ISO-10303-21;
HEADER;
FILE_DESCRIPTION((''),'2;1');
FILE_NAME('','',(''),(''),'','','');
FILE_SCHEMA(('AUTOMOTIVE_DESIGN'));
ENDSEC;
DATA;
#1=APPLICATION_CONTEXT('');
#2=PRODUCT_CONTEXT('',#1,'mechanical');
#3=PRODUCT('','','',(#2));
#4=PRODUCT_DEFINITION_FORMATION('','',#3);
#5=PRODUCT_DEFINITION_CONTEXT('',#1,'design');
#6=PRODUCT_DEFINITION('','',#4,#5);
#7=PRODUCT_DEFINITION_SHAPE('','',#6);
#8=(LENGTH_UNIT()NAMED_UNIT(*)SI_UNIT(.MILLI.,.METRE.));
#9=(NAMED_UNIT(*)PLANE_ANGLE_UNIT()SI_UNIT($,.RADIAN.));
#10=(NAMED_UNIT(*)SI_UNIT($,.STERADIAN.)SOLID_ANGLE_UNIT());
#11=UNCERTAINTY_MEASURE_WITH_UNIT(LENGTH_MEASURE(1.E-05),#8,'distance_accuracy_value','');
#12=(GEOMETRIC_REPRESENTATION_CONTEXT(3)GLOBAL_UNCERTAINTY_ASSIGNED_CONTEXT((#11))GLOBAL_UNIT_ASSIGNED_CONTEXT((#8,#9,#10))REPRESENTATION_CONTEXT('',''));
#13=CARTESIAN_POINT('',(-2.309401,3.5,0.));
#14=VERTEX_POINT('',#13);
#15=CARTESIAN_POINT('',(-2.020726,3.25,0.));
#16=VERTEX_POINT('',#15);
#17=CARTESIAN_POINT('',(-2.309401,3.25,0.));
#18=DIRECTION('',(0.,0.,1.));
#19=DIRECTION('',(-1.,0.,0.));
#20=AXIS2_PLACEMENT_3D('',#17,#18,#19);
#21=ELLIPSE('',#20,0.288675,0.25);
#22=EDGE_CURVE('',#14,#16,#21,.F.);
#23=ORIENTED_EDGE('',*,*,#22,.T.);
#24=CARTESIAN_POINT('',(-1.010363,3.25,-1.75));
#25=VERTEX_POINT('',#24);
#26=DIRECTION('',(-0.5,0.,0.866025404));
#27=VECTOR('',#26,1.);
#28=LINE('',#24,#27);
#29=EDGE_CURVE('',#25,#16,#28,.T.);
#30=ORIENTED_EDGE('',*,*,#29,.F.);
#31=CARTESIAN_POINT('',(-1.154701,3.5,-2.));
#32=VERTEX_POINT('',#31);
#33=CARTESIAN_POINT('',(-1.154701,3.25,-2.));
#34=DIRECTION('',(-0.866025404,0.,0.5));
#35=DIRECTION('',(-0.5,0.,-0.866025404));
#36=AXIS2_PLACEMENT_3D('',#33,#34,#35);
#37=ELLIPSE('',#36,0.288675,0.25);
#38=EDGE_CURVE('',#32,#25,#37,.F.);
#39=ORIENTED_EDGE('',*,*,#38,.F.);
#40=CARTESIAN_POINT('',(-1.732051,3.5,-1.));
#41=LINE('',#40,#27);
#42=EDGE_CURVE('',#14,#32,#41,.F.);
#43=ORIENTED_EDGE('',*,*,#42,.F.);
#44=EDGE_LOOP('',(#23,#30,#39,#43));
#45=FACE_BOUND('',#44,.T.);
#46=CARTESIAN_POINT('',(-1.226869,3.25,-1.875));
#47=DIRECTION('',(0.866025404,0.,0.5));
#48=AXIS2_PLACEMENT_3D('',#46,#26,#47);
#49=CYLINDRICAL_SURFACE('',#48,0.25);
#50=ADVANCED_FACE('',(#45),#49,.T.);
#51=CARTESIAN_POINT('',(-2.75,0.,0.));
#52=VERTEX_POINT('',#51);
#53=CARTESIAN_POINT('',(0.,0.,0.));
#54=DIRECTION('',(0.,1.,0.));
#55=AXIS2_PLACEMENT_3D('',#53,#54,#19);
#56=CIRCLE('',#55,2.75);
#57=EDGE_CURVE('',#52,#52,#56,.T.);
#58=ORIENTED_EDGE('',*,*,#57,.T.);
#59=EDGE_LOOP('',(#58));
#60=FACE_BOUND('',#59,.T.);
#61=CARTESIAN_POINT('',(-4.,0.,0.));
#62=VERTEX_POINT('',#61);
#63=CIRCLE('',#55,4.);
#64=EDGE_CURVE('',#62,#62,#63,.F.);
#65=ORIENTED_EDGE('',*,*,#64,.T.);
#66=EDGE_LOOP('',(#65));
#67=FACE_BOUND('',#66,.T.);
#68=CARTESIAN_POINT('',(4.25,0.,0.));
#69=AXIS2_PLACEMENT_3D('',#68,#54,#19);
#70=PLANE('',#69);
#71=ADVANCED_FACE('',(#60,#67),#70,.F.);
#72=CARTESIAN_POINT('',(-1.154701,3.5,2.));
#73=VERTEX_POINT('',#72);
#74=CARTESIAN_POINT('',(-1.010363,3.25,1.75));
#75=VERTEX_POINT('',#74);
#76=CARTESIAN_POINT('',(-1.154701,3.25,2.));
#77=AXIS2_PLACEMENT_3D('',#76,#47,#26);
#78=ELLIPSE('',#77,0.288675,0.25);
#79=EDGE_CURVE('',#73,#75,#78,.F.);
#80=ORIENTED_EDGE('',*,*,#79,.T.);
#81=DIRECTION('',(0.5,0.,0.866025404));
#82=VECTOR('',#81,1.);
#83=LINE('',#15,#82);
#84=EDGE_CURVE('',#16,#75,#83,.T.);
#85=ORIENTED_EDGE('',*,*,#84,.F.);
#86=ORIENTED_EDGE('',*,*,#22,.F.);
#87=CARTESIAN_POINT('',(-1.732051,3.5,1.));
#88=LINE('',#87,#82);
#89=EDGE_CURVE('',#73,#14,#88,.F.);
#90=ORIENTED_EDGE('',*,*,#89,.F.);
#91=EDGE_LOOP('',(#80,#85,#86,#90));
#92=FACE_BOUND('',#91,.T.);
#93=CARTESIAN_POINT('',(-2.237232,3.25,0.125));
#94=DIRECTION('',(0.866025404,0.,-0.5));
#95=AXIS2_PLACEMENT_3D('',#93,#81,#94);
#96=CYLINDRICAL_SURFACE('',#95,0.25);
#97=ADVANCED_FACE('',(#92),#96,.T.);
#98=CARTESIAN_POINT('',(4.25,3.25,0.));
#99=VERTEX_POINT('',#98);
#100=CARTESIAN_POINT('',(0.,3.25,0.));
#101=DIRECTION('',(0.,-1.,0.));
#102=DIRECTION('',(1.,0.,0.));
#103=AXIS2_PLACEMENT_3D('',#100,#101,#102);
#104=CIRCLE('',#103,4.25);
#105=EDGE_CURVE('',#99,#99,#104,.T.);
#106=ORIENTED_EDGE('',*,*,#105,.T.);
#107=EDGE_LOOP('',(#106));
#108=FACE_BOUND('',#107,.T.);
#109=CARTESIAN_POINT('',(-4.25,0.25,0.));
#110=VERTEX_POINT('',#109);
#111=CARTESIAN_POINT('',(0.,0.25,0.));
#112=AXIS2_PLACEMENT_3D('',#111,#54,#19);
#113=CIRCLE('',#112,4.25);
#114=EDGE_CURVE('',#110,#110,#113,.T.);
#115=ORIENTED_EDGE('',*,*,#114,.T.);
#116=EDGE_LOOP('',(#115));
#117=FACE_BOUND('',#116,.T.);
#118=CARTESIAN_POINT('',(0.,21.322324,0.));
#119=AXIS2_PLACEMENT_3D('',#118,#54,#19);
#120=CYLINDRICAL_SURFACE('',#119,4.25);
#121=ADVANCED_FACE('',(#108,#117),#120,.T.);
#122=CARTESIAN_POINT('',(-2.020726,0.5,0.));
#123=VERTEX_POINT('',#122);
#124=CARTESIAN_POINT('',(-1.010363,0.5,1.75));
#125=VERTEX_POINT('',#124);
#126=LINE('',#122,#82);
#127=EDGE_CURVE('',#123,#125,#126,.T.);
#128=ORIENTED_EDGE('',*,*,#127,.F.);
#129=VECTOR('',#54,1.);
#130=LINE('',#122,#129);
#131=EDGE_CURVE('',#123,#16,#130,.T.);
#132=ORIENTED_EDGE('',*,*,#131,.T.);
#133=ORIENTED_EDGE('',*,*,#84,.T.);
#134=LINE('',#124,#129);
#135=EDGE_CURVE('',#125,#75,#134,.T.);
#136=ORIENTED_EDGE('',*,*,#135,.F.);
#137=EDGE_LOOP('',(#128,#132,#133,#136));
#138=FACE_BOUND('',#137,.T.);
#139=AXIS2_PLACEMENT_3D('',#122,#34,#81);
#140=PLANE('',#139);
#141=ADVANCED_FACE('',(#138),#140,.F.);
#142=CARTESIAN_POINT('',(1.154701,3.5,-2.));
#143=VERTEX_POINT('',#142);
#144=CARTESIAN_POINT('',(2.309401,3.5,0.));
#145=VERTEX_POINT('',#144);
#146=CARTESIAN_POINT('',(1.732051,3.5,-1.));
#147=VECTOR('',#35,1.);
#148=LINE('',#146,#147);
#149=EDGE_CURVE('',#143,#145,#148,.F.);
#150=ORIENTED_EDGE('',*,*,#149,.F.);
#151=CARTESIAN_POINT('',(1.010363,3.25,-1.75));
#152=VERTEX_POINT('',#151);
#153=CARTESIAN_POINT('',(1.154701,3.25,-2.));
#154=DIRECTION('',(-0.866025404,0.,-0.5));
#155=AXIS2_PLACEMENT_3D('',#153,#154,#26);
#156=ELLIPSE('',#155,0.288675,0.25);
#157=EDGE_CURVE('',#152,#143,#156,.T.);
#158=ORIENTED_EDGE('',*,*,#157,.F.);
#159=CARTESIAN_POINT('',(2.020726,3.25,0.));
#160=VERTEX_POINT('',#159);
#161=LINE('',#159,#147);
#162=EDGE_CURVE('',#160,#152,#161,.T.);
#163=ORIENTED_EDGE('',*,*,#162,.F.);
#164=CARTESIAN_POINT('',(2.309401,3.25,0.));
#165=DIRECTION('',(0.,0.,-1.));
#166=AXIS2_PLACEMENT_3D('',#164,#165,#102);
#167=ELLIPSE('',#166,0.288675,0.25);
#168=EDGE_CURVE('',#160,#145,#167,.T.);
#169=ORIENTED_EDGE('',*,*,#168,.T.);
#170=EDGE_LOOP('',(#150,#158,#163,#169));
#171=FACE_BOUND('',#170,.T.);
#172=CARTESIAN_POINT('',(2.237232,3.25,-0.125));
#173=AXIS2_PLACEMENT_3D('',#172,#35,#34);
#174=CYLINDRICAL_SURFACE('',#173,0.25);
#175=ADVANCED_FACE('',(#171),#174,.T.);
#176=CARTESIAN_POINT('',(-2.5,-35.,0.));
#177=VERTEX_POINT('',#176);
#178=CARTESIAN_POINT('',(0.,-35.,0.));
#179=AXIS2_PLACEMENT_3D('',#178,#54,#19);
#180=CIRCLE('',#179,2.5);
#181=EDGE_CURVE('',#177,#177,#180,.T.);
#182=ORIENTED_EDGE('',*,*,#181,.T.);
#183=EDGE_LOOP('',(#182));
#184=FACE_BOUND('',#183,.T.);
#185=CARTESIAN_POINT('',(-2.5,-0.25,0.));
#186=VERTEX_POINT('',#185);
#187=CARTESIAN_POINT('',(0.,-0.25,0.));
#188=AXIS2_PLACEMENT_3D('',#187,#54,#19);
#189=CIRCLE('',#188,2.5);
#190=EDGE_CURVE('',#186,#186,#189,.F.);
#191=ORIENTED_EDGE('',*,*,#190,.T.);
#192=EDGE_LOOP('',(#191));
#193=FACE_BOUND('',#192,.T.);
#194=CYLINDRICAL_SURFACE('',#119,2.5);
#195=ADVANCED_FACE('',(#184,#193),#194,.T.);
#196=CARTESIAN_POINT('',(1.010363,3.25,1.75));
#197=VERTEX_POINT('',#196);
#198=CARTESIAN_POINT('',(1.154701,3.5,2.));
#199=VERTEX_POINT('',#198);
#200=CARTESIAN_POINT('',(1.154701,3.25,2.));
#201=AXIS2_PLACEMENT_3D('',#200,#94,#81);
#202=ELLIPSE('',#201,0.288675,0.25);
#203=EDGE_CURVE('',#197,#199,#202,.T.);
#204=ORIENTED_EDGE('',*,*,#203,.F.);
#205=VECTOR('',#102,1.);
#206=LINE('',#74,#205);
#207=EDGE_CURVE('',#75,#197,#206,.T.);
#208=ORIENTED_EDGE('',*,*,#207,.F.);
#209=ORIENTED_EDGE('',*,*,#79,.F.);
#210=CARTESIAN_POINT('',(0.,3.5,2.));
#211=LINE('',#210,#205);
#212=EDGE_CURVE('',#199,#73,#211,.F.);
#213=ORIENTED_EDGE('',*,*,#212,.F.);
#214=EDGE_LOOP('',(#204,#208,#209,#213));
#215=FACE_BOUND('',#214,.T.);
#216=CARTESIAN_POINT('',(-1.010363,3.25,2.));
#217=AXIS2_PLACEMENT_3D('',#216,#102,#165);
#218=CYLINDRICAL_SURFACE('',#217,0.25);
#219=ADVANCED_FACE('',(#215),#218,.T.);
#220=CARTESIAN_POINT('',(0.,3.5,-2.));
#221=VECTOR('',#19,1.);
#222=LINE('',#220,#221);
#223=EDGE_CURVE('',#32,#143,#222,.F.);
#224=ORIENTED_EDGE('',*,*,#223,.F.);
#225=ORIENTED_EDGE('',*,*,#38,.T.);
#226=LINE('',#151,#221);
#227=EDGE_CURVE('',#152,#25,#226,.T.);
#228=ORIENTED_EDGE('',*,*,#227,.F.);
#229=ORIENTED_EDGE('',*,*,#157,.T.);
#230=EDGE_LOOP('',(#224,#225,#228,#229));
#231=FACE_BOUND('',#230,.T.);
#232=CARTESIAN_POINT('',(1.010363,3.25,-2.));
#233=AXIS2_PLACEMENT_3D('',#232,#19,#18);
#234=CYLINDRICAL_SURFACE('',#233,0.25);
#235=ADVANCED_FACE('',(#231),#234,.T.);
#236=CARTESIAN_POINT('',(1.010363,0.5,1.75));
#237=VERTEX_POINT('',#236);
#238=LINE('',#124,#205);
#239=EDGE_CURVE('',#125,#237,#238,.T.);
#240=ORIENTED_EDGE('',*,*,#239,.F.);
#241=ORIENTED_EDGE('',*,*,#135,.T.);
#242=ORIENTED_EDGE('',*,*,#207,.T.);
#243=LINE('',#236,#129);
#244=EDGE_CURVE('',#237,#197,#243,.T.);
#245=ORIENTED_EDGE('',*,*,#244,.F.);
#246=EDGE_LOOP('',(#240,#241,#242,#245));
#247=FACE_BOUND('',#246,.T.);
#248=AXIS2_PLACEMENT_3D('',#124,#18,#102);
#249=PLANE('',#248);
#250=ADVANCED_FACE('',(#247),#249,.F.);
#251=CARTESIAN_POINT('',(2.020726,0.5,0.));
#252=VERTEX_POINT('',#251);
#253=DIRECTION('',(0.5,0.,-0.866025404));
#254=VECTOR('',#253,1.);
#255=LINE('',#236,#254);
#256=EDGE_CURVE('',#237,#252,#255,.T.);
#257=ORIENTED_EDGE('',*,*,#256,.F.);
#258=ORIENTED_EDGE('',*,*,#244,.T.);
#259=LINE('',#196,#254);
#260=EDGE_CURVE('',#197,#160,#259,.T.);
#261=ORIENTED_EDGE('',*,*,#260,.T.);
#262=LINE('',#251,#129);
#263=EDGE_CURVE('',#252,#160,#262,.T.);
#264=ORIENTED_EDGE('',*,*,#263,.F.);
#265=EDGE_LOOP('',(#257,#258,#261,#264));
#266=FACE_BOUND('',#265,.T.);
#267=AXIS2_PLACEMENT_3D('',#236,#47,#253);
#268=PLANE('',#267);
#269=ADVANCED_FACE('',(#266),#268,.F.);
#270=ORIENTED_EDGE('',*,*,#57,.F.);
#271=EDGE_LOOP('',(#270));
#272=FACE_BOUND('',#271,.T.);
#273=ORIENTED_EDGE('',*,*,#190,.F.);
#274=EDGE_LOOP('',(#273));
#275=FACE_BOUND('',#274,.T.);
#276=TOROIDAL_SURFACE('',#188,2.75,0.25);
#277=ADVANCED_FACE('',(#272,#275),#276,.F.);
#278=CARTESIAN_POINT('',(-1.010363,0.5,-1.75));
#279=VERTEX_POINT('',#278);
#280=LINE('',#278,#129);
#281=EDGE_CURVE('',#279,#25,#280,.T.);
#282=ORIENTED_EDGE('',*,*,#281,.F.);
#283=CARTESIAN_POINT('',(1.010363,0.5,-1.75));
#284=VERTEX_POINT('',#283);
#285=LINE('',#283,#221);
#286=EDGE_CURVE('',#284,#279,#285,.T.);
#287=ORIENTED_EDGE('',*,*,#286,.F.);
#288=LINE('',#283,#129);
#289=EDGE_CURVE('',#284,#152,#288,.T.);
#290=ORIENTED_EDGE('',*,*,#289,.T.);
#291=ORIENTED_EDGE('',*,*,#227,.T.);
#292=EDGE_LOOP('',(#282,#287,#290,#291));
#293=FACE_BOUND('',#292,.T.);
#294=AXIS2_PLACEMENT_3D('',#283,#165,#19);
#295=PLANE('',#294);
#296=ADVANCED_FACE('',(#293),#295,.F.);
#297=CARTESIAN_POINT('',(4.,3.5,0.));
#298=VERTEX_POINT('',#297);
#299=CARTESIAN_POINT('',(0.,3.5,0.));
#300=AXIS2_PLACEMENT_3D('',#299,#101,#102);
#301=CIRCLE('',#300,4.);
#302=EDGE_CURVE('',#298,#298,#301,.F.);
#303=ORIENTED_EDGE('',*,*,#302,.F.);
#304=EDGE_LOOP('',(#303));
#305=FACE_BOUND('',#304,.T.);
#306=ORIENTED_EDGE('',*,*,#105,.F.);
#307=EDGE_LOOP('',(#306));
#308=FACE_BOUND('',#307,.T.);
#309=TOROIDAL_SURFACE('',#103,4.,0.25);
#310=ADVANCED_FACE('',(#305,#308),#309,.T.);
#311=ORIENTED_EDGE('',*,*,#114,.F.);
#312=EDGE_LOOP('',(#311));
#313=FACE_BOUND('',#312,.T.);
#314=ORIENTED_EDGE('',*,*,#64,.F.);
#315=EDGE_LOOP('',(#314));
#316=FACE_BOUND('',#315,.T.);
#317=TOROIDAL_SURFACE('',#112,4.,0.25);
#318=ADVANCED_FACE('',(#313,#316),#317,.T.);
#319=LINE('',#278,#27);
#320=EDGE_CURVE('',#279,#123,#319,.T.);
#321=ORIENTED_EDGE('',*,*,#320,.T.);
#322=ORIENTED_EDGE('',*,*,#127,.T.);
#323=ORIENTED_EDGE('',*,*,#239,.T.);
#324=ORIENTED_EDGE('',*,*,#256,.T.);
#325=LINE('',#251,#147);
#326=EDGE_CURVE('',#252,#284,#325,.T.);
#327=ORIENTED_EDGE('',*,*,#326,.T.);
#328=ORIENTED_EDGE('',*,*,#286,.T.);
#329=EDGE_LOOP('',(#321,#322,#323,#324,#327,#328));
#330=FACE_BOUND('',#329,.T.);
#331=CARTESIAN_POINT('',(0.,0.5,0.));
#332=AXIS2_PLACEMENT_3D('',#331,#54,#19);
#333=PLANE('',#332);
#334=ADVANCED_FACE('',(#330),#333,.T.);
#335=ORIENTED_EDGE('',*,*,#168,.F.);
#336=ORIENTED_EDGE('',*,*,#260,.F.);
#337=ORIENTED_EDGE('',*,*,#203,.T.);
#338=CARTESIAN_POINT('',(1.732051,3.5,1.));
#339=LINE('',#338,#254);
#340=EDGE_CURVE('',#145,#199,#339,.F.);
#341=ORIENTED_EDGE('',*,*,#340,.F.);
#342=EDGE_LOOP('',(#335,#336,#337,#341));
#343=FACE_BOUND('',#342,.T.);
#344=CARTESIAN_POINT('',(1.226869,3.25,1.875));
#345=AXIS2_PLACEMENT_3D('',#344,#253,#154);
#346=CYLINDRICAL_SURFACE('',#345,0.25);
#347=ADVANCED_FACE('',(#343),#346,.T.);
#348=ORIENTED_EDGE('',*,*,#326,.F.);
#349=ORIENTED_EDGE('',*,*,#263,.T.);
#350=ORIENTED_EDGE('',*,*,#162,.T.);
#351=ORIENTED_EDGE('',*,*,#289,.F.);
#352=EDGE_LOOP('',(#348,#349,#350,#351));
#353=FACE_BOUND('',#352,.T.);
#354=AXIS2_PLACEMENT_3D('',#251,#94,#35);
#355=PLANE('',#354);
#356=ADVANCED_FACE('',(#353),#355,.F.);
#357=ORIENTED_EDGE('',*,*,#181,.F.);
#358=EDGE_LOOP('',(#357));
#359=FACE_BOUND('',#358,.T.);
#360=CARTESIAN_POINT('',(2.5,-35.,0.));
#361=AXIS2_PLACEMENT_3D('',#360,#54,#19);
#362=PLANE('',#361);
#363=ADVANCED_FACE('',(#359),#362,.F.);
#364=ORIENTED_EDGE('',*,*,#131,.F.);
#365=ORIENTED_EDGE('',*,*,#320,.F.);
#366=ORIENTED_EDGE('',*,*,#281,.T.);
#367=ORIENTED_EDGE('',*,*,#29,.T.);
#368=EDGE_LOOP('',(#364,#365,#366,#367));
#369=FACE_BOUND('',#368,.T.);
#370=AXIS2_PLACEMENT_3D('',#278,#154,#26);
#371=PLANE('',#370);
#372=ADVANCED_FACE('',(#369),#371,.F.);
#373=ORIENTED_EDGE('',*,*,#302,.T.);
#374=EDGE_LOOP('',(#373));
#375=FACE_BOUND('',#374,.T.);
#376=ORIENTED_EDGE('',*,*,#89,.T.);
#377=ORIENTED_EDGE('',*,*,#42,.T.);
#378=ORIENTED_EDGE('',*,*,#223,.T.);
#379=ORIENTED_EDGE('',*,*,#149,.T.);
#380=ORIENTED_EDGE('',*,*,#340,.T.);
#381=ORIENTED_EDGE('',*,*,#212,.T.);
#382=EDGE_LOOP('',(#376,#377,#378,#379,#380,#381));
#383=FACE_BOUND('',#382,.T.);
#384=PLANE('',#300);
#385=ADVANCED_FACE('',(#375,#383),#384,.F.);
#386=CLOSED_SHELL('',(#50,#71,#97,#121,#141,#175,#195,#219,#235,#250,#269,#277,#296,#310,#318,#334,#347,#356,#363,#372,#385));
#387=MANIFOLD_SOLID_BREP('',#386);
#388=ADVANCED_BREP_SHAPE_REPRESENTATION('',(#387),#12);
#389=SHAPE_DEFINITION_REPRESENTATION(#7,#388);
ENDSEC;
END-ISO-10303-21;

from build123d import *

# Parameters (mm, degrees)
CUT_EXTRUDE1_DEPTH = 3
FILLET1_R          = 0.25


with BuildPart() as part:
    # Sketch2 → Revolve1 (revolve)
    with BuildSketch(Plane.XY, mode=Mode.PRIVATE) as revolve1_sk:
        Polygon((0, 3.5), (4.25, 3.5), (4.25, 0), (2.5, 0), (2.5, -35), (0, -35), align=None)
    revolve(revolve1_sk.sketch.rotate(Axis((0, 21.322324325, 0), (0, -1, 0)), 180), axis=Axis((0, 21.322324325, 0), (0, -1, 0)))

    # Sketch3 → Cut-Extrude1 (cut)
    with BuildSketch(Plane(origin=(0, 3.5, 0), x_dir=(1, 0, 0), z_dir=(0, 1, 0))):
        Polygon((2.020725942, 0), (1.010362971, 1.75), (-1.010362971, 1.75), (-2.020725942, 0), (-1.010362971, -1.75), (1.010362971, -1.75), align=None)
    extrude(amount=-CUT_EXTRUDE1_DEPTH, mode=Mode.SUBTRACT)

    # Fillet1
    fillet1_edges = [part.edges().sort_by_distance(p)[0] for p in [
        (1.515544457, 3.5, 0.875),
        (1.515544457, 3.5, -0.875),
        (0, 3.5, -1.75),
        (-1.515544457, 3.5, -0.875),
        (-1.515544457, 3.5, 0.875),
        (0, 3.5, 1.75),
        (2.5, 0, 0),
        (4.25, 0, 0),
        (4.25, 3.5, 0),
    ]]
    fillet(fillet1_edges, radius=FILLET1_R)


solid = part.part
